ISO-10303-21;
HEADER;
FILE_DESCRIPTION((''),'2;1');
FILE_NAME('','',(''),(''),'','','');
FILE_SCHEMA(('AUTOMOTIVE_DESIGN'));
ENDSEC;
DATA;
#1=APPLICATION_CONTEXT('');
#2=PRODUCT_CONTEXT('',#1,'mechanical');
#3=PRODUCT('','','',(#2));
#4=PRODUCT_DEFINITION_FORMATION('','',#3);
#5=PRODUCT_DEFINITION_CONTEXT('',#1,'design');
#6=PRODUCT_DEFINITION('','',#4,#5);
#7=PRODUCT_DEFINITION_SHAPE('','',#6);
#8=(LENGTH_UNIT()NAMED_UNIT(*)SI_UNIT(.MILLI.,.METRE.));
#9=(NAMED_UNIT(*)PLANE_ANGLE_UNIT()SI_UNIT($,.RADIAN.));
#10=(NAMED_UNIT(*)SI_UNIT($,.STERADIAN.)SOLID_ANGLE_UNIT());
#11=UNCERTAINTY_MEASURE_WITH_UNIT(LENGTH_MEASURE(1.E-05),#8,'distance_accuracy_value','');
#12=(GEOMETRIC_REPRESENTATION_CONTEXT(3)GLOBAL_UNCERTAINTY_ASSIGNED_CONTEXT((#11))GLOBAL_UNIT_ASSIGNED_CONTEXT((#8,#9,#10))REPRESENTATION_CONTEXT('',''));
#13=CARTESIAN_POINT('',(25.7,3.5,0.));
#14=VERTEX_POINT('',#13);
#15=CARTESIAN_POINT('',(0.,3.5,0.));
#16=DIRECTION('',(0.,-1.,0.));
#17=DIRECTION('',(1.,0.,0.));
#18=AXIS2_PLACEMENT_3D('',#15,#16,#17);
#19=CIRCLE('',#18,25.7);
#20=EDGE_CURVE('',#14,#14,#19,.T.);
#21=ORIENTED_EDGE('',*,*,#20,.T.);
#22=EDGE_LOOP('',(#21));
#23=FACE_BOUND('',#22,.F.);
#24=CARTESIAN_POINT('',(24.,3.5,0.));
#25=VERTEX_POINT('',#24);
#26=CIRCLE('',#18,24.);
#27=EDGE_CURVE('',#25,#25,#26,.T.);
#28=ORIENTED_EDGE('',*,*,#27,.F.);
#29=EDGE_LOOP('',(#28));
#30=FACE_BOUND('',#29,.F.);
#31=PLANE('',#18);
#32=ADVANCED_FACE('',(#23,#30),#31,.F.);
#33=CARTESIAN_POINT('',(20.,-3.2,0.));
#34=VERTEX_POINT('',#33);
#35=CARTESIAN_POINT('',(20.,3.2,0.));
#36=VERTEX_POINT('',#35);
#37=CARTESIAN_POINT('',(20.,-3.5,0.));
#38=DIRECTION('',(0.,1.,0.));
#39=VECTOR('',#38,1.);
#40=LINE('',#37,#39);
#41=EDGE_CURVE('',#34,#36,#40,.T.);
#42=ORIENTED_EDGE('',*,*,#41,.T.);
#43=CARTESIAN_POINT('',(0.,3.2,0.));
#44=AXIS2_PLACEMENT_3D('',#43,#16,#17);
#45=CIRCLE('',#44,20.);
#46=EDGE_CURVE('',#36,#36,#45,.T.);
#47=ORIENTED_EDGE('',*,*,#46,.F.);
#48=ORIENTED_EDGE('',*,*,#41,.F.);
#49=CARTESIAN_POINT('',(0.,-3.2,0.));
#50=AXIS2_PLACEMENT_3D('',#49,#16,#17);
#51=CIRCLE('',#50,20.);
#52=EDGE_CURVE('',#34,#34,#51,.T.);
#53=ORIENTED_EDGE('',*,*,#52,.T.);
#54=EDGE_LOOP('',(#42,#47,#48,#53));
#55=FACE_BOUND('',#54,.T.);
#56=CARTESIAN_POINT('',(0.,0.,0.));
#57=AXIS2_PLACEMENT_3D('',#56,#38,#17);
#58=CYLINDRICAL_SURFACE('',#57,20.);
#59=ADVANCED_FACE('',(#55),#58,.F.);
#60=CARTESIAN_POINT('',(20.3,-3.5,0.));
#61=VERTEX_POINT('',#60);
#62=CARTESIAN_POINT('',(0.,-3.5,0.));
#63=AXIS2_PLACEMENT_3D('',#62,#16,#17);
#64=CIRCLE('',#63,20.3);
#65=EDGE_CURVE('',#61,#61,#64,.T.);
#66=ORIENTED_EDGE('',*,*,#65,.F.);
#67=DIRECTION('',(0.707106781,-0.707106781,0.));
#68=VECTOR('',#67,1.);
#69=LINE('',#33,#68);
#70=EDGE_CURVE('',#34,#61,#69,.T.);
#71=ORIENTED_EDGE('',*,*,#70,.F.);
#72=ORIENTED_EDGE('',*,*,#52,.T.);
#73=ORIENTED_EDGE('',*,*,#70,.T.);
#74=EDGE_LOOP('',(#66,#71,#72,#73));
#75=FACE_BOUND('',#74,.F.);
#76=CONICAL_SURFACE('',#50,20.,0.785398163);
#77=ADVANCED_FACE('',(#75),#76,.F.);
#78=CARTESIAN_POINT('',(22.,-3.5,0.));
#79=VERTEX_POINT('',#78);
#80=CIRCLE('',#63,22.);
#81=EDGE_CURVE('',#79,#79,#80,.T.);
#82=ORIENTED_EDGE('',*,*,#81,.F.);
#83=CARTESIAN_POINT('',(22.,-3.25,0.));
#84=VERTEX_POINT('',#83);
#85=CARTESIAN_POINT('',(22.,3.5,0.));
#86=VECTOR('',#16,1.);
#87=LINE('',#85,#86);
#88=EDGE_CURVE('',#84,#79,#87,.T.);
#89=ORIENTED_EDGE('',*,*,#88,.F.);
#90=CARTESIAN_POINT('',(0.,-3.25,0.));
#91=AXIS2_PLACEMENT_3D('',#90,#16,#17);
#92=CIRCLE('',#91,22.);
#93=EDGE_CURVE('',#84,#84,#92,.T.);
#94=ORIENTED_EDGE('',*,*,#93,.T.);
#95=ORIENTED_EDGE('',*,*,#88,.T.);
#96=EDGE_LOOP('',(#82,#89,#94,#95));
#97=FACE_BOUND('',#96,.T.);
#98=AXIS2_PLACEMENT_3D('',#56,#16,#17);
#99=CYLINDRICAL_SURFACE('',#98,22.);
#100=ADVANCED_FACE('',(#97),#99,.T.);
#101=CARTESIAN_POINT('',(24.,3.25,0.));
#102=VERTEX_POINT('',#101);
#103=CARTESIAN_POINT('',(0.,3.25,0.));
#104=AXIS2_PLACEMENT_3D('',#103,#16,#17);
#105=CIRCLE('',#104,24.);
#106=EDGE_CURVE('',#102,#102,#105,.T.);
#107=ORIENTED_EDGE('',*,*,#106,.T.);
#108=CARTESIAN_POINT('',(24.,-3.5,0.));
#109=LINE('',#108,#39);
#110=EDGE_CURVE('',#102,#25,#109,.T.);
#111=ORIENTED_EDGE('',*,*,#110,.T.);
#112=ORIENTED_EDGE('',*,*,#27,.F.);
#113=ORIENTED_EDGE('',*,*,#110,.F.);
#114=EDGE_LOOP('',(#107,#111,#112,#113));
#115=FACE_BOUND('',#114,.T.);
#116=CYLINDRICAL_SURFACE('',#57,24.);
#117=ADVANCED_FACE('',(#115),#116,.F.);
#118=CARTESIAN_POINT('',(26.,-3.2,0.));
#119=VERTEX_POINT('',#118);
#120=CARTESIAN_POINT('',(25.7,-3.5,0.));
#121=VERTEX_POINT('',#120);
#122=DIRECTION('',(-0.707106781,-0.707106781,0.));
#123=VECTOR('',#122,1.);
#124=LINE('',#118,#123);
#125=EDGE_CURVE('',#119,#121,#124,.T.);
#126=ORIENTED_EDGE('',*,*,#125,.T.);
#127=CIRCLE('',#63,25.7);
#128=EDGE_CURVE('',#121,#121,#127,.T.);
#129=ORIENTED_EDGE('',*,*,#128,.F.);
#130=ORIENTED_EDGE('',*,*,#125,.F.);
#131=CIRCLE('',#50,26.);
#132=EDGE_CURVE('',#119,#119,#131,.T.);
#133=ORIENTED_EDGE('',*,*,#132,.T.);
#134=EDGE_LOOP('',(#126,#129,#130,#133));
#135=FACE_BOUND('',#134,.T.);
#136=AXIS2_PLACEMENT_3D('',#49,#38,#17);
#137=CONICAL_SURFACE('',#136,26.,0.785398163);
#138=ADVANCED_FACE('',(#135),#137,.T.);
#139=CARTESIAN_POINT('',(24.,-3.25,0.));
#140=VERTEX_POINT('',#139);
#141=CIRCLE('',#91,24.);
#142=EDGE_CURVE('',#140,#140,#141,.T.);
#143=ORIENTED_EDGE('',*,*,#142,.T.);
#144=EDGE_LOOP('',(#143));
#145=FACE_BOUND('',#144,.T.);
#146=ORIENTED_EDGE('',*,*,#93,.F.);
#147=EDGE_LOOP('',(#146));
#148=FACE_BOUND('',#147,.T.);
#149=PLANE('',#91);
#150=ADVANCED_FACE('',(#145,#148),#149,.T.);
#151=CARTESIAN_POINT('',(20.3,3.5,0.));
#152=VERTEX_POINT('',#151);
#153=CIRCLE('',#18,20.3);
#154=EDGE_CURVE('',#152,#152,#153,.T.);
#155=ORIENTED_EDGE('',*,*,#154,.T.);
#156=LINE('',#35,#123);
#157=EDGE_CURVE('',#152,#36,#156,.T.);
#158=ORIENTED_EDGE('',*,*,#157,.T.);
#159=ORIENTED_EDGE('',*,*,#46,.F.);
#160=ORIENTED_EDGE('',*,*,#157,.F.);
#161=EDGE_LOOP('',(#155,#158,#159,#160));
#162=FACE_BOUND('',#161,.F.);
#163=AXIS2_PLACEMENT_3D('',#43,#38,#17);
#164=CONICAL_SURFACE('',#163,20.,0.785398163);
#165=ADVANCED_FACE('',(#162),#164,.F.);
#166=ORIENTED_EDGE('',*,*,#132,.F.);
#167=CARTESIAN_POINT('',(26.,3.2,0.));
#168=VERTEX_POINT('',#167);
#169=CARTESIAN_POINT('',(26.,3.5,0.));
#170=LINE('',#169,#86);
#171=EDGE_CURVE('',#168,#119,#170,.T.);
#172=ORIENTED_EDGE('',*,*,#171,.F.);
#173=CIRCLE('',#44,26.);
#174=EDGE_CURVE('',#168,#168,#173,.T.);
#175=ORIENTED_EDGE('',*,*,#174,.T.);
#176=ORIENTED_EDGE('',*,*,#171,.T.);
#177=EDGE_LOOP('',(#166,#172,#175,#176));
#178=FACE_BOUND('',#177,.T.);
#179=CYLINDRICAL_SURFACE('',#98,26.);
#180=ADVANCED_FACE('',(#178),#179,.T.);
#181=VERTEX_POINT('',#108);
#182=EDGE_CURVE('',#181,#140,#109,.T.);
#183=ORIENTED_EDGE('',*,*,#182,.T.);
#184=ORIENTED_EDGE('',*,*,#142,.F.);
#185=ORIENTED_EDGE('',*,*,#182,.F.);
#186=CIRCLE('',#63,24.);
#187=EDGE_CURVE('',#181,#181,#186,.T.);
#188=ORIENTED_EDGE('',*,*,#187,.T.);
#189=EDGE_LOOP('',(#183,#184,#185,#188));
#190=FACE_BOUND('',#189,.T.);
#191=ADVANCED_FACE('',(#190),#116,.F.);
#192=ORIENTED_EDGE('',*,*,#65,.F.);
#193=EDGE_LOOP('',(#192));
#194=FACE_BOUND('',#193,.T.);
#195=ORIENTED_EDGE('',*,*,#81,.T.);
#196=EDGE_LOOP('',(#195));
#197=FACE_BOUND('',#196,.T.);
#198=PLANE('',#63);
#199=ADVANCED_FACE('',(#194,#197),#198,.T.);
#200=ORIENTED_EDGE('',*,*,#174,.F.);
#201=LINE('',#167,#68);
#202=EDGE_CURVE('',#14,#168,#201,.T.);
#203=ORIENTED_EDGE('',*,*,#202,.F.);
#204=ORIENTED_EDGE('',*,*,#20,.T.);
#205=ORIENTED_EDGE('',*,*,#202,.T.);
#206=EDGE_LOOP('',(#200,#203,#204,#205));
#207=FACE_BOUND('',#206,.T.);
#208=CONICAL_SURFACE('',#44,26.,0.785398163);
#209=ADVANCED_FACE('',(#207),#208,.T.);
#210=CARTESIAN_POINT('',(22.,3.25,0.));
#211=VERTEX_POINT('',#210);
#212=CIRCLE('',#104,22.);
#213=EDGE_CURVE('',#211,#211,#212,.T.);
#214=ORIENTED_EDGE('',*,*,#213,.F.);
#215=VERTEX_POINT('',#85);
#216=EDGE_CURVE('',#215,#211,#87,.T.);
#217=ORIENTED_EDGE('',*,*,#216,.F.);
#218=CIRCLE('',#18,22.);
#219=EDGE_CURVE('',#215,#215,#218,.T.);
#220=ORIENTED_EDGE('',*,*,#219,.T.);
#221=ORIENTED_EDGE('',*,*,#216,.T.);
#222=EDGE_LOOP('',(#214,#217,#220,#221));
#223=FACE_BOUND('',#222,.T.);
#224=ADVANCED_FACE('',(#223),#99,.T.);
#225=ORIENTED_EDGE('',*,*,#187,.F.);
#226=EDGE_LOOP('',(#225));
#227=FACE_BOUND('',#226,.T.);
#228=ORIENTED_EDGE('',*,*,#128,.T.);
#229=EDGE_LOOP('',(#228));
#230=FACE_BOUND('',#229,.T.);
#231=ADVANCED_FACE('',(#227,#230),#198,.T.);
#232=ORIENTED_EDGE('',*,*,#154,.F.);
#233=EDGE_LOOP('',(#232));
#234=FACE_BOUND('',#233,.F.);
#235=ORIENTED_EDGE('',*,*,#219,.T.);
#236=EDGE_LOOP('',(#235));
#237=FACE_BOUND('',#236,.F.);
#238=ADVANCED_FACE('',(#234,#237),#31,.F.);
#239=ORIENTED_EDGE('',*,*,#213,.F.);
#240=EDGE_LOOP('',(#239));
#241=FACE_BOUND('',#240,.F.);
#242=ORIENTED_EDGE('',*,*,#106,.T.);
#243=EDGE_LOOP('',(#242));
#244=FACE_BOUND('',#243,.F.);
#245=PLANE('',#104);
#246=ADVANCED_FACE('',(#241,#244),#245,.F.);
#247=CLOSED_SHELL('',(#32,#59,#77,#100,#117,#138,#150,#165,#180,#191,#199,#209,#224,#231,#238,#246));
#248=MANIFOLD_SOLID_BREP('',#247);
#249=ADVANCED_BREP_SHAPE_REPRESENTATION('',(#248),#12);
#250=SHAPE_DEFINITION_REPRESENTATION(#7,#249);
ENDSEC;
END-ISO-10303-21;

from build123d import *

# Parameters (mm, degrees)
F0_R     = 26
F0_R_2   = 24
F1_DEPTH = 3.5
F0_R_3   = 22
F0_R_4   = 20
F2_DEPTH = 3.25
F3_SIZE  = 0.3


with BuildPart() as f1:
    # F0 (on Front) → F1 (new body, symmetric)
    with BuildSketch(Plane.XZ):
        Circle(F0_R)
        Circle(F0_R_2, mode=Mode.SUBTRACT)
    extrude(amount=F1_DEPTH, both=True)



with BuildPart() as f1b:
    # F0 (on Front) → F1, piece 2 (new body, symmetric)
    with BuildSketch(Plane.XZ):
        Circle(F0_R_3)
        Circle(F0_R_4, mode=Mode.SUBTRACT)
    extrude(amount=F1_DEPTH, both=True)


with BuildPart() as f1_1:
    add(f1.part)

    add(f1b.part)  # F2 merges F1b
    # F0 (on Front) → F2 (join, symmetric)
    with BuildSketch(Plane.XZ):
        Circle(F0_R_2)
        Circle(F0_R_3, mode=Mode.SUBTRACT)
    extrude(amount=F2_DEPTH, both=True)

    # F3
    f3_edges = [f1_1.edges().sort_by_distance(p)[0] for p in [
        (-26, -3.5, 0),
        (-26, 3.5, 0),
        (-20, -3.5, 0),
        (-20, 3.5, 0),
    ]]
    chamfer(f3_edges, length=F3_SIZE)


solid = f1_1.part
